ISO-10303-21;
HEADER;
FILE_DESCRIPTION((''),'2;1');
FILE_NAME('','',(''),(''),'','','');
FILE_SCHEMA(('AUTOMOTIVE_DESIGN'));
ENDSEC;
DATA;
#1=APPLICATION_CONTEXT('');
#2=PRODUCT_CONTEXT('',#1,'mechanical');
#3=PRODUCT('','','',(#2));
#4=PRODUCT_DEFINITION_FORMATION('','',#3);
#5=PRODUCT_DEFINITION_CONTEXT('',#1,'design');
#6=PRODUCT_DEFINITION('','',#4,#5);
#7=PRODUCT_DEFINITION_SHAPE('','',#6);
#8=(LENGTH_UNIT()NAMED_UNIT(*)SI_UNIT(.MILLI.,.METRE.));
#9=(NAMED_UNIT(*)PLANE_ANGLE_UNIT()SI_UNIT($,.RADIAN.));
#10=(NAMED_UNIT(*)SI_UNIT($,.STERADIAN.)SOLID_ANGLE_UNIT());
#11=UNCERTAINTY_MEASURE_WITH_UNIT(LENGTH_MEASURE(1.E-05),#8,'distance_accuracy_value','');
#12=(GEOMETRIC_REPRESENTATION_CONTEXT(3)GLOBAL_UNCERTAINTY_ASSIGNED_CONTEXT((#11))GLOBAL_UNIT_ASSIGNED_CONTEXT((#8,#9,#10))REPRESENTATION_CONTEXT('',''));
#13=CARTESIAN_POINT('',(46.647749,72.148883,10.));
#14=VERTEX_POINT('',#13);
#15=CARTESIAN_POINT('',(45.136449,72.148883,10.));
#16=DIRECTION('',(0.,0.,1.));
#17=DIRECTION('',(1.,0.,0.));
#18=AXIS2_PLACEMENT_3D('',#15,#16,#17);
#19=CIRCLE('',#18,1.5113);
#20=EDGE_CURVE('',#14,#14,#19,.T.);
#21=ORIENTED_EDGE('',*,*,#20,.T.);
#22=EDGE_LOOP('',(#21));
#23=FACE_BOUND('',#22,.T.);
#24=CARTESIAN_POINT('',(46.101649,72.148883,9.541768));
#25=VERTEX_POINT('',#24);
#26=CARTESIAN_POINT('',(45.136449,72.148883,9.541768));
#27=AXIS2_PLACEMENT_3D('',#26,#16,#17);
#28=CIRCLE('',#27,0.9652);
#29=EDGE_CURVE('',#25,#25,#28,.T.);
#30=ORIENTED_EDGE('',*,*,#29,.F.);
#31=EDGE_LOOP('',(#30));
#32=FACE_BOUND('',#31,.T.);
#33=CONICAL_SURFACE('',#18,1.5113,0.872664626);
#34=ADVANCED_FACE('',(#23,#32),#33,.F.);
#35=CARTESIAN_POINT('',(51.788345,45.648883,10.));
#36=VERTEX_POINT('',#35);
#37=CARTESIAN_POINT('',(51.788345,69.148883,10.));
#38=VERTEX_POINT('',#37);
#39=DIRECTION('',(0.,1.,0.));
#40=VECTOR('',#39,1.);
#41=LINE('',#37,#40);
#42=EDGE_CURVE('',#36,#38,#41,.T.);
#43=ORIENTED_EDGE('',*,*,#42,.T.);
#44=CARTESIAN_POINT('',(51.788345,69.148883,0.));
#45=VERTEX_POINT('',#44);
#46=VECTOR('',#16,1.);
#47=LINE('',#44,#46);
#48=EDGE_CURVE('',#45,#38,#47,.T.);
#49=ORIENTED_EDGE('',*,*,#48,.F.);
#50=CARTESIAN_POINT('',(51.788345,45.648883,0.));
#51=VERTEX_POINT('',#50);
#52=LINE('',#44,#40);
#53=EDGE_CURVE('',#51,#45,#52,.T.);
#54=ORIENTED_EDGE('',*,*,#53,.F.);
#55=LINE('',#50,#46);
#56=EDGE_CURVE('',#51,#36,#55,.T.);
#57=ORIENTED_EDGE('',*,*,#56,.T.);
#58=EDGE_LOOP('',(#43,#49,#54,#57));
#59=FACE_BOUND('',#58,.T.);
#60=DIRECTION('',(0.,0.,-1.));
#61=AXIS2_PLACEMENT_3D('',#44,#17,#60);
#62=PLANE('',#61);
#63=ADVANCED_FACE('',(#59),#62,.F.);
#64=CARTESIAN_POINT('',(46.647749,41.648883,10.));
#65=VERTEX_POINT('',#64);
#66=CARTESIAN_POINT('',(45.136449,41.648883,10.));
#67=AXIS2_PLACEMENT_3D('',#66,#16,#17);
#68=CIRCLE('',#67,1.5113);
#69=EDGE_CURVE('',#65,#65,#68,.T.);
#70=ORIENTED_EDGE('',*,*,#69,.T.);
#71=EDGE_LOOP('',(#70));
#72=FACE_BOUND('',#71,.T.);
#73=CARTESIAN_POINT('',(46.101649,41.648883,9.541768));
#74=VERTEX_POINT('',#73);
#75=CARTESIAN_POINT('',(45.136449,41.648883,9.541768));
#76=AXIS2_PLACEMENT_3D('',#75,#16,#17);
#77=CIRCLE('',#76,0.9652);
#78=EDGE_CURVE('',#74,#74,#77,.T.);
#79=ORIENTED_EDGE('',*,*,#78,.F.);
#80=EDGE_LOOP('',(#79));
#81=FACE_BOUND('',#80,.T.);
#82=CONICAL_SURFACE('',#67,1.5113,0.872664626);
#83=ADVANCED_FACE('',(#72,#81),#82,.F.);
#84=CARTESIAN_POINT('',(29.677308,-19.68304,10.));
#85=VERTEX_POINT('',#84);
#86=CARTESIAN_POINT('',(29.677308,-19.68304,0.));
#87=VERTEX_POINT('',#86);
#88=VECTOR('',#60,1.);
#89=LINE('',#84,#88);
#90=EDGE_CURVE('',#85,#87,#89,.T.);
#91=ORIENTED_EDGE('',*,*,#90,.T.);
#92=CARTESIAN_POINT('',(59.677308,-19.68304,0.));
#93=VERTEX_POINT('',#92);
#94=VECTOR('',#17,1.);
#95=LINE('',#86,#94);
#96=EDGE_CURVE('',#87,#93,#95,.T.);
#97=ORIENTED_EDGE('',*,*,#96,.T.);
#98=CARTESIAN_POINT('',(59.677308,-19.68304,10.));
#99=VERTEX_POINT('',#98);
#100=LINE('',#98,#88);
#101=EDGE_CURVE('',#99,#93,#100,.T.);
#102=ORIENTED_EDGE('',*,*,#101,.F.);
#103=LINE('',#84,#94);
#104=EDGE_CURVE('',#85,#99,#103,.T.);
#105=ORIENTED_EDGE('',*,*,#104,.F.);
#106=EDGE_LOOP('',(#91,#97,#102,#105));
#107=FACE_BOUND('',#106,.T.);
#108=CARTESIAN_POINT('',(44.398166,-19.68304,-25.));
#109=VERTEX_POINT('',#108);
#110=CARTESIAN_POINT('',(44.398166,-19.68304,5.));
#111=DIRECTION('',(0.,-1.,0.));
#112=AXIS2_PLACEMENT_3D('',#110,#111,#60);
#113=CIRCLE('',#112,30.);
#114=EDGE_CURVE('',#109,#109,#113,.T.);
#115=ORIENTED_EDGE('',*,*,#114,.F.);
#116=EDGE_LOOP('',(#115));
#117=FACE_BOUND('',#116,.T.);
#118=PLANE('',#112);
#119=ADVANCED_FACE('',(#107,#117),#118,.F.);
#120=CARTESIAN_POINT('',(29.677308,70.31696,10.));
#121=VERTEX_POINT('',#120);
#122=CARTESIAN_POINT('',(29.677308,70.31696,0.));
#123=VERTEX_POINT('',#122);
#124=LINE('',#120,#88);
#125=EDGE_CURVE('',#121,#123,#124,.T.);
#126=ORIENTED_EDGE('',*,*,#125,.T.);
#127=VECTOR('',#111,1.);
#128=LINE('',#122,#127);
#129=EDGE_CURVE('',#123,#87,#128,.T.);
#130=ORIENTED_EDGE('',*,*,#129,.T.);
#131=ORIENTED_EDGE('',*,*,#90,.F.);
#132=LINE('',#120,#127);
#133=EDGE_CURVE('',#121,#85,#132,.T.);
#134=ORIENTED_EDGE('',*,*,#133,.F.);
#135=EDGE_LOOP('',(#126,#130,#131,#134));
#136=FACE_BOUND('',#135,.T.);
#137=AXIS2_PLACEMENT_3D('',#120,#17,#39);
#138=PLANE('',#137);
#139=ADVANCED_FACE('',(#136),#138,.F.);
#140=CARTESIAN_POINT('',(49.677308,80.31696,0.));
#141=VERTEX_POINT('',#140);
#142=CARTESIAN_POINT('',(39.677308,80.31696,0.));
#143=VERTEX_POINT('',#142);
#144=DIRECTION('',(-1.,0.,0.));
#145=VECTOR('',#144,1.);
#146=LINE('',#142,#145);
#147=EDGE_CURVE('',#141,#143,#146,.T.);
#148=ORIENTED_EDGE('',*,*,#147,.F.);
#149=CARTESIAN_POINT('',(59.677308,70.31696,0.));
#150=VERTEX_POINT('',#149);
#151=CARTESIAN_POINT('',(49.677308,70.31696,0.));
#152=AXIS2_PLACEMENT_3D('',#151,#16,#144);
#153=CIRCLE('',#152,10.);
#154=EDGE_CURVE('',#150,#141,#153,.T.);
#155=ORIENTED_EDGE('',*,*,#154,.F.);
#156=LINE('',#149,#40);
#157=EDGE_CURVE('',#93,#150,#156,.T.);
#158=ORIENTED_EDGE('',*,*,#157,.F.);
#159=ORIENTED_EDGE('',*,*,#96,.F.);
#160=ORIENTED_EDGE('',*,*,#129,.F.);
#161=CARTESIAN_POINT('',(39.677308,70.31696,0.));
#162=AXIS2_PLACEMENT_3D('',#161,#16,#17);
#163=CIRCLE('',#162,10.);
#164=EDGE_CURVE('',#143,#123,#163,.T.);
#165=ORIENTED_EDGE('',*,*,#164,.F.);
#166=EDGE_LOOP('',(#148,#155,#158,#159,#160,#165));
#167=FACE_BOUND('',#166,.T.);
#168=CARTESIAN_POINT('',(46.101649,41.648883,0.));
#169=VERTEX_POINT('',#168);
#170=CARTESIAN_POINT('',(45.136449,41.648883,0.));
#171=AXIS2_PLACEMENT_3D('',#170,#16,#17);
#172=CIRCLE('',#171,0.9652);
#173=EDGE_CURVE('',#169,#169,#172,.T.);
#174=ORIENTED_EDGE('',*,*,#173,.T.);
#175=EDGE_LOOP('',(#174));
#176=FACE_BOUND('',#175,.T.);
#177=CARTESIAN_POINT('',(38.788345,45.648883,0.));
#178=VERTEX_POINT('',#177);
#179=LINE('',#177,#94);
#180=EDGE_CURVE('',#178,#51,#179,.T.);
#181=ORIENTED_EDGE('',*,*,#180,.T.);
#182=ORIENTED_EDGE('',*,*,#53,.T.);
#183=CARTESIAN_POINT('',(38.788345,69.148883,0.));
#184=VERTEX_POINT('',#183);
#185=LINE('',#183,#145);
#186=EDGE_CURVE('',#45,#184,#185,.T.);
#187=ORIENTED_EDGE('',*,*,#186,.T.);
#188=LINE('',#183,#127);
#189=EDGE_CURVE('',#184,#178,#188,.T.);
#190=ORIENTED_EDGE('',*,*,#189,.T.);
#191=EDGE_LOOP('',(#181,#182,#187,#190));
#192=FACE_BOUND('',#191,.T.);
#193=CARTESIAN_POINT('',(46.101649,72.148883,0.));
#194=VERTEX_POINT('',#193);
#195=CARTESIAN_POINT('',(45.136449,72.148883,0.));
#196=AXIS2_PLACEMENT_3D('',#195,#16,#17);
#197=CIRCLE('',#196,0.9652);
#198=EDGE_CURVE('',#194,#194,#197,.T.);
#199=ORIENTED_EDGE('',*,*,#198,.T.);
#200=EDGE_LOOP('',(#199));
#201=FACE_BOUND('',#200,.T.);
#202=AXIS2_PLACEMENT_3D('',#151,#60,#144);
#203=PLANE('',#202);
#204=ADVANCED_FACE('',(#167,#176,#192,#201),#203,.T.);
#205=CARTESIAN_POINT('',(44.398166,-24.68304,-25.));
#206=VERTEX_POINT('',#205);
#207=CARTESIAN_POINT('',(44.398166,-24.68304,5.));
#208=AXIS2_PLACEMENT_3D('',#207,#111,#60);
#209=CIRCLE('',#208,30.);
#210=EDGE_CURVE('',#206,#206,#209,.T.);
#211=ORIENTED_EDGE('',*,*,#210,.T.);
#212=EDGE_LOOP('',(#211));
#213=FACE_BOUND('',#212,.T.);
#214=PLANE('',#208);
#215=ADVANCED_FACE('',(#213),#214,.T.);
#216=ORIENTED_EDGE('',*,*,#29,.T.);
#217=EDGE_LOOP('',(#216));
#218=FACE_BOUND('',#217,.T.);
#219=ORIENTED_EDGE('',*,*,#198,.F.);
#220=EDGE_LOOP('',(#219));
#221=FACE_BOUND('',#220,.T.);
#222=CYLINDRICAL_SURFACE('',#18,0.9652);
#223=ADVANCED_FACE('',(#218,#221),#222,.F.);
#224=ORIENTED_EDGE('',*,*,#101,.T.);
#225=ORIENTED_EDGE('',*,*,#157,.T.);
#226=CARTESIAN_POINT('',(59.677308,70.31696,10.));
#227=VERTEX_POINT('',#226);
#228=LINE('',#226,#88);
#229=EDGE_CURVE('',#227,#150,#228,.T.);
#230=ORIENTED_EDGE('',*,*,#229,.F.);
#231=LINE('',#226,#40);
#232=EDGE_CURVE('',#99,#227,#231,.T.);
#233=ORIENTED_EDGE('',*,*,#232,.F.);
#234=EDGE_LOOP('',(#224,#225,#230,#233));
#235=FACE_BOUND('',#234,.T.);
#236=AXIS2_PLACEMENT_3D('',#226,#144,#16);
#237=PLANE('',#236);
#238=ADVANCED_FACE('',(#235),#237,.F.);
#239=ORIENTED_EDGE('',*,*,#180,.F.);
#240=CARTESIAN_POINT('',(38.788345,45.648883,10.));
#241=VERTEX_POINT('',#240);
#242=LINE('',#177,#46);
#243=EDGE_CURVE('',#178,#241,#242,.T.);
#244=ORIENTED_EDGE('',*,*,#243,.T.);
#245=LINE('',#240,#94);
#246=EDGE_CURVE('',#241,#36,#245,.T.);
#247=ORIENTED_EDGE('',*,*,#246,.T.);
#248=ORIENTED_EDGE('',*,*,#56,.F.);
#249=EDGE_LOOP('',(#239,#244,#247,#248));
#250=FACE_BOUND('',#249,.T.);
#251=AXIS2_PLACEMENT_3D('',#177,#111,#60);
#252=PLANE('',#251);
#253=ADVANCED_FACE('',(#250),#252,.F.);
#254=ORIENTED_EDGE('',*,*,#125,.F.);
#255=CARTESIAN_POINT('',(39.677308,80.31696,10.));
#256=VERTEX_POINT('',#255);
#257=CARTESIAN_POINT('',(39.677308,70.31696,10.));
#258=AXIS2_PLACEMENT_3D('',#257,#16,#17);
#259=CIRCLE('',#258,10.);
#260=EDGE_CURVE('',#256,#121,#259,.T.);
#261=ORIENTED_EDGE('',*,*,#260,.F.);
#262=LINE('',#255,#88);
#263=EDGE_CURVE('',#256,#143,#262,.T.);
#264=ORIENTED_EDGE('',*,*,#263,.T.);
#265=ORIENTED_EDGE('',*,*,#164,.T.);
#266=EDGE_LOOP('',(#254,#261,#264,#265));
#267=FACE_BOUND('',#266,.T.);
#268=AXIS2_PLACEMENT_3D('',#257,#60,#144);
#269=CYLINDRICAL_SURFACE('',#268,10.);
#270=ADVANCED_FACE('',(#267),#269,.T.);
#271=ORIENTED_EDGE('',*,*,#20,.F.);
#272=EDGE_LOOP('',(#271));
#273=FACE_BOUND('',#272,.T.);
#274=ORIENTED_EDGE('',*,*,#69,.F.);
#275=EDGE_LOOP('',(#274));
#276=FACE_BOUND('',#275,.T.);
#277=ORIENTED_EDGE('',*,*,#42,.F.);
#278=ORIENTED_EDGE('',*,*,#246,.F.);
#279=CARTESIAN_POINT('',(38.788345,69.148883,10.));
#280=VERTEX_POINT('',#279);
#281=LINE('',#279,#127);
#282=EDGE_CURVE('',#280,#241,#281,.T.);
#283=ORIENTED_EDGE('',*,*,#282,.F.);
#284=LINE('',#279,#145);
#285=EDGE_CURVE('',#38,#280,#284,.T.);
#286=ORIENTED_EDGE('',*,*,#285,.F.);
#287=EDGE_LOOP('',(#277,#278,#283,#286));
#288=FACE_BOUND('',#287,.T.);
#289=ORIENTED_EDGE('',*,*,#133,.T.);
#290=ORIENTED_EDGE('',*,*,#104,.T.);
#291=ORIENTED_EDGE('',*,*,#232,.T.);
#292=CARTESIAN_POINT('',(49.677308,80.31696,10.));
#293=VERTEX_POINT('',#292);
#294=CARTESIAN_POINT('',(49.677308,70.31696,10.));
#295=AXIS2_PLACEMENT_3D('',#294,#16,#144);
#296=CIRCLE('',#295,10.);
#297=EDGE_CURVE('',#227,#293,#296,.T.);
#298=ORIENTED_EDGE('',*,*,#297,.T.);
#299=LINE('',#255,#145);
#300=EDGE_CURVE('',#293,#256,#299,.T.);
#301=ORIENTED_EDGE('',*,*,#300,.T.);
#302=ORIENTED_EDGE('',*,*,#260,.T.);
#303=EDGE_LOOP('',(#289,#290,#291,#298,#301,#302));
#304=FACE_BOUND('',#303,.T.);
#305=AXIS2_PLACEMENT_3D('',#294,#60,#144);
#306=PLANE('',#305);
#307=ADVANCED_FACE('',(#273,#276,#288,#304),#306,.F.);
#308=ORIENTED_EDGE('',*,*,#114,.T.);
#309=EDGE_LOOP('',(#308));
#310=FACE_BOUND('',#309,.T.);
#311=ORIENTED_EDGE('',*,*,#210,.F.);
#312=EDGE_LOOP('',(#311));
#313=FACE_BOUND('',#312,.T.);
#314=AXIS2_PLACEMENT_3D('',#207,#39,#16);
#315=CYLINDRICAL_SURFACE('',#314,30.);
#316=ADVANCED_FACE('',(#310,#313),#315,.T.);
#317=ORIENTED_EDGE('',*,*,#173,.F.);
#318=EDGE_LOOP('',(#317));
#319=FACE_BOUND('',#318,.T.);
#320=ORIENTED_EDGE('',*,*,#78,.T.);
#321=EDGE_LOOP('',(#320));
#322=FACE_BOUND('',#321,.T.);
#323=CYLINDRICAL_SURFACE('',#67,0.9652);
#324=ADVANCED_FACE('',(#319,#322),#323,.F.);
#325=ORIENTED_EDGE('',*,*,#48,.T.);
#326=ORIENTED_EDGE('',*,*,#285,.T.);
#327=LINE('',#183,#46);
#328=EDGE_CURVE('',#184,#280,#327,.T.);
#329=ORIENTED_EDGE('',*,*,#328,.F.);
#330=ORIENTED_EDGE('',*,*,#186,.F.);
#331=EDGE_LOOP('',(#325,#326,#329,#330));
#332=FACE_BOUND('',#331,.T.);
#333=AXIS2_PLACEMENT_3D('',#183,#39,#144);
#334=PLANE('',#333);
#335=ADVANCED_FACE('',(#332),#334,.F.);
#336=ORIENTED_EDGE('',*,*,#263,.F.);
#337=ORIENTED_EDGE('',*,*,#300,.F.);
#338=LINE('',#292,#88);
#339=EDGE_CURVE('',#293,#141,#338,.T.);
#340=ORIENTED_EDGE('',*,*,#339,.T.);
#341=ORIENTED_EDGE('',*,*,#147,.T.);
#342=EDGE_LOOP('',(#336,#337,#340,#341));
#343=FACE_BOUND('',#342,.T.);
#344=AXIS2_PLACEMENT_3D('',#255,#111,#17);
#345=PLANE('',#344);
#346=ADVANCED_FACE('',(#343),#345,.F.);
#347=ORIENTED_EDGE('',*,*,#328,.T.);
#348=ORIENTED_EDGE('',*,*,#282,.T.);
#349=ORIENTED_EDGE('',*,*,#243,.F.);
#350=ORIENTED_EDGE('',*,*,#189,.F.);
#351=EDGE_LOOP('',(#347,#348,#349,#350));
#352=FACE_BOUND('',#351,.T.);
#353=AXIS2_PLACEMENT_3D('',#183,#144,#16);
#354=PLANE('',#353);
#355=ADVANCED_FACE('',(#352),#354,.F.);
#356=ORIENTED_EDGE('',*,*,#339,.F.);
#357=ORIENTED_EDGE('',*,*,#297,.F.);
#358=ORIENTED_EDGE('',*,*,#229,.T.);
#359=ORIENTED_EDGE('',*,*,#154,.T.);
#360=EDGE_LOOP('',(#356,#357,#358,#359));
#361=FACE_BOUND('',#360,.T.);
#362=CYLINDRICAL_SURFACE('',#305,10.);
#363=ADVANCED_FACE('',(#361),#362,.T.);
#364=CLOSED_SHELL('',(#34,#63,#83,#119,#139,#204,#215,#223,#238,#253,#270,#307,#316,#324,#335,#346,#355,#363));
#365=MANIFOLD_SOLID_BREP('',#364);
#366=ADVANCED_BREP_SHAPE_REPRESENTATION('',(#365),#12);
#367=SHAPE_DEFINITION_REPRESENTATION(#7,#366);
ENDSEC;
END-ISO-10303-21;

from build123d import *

# Parameters (mm, degrees)
BOSS_EXTRUDE1_DEPTH                               = 10
SKETCH6_W                                         = 13
SKETCH6_H                                         = 23.5
CUT_EXTRUDE1_DEPTH                                = 101.559411442
CSK_FOR_0_FLAT_HEAD_MACHINE_SCREW_100_D           = 1.9304
CSK_FOR_0_FLAT_HEAD_MACHINE_SCREW_100_CSINK_D     = 3.0226
CSK_FOR_0_FLAT_HEAD_MACHINE_SCREW_100_CSINK_ANGLE = 100
SKETCH15_R                                        = 30
BOSS_EXTRUDE2_DEPTH                               = 5


with BuildPart() as part:
    # Sketch4 → Boss-Extrude1 (new body)
    with BuildSketch(Plane.XY):
        with BuildLine():
            Line((39.677308084, 80.316960409), (49.677308084, 80.316960409))
            ThreePointArc((49.677308084, 80.316960409), (56.748375896, 77.388028221), (59.677308084, 70.316960409))
            Line((59.677308084, 70.316960409), (59.677308084, -19.683039591))
            Line((59.677308084, -19.683039591), (29.677308084, -19.683039591))
            Line((29.677308084, -19.683039591), (29.677308084, 70.316960409))
            ThreePointArc((29.677308084, 70.316960409), (32.606240272, 77.388028221), (39.677308084, 80.316960409))
        make_face()
    extrude(amount=BOSS_EXTRUDE1_DEPTH)

    # Sketch6 → Cut-Extrude1 (cut, through all)
    with BuildSketch(Plane.XY.offset(10)):
        with Locations((45.288344904, 57.398882655)):
            Rectangle(SKETCH6_W, SKETCH6_H)
    extrude(amount=-CUT_EXTRUDE1_DEPTH, mode=Mode.SUBTRACT)

    # CSK for #0 Flat Head Machine Screw (100)2 (through all)
    with Locations(Plane.XY.offset(10)):
        with Locations((45.136449354, 72.148882655), (45.136449354, 41.648882655)):
            CounterSinkHole(CSK_FOR_0_FLAT_HEAD_MACHINE_SCREW_100_D / 2, CSK_FOR_0_FLAT_HEAD_MACHINE_SCREW_100_CSINK_D / 2, counter_sink_angle=CSK_FOR_0_FLAT_HEAD_MACHINE_SCREW_100_CSINK_ANGLE)

    # Sketch15 → Boss-Extrude2 (add)
    with BuildSketch(Plane.XZ.offset(19.683039591)):
        with Locations(Location((44.398165665, 5, 0), (0, 0, 270))):
            Circle(SKETCH15_R)
    extrude(amount=BOSS_EXTRUDE2_DEPTH)


solid = part.part
